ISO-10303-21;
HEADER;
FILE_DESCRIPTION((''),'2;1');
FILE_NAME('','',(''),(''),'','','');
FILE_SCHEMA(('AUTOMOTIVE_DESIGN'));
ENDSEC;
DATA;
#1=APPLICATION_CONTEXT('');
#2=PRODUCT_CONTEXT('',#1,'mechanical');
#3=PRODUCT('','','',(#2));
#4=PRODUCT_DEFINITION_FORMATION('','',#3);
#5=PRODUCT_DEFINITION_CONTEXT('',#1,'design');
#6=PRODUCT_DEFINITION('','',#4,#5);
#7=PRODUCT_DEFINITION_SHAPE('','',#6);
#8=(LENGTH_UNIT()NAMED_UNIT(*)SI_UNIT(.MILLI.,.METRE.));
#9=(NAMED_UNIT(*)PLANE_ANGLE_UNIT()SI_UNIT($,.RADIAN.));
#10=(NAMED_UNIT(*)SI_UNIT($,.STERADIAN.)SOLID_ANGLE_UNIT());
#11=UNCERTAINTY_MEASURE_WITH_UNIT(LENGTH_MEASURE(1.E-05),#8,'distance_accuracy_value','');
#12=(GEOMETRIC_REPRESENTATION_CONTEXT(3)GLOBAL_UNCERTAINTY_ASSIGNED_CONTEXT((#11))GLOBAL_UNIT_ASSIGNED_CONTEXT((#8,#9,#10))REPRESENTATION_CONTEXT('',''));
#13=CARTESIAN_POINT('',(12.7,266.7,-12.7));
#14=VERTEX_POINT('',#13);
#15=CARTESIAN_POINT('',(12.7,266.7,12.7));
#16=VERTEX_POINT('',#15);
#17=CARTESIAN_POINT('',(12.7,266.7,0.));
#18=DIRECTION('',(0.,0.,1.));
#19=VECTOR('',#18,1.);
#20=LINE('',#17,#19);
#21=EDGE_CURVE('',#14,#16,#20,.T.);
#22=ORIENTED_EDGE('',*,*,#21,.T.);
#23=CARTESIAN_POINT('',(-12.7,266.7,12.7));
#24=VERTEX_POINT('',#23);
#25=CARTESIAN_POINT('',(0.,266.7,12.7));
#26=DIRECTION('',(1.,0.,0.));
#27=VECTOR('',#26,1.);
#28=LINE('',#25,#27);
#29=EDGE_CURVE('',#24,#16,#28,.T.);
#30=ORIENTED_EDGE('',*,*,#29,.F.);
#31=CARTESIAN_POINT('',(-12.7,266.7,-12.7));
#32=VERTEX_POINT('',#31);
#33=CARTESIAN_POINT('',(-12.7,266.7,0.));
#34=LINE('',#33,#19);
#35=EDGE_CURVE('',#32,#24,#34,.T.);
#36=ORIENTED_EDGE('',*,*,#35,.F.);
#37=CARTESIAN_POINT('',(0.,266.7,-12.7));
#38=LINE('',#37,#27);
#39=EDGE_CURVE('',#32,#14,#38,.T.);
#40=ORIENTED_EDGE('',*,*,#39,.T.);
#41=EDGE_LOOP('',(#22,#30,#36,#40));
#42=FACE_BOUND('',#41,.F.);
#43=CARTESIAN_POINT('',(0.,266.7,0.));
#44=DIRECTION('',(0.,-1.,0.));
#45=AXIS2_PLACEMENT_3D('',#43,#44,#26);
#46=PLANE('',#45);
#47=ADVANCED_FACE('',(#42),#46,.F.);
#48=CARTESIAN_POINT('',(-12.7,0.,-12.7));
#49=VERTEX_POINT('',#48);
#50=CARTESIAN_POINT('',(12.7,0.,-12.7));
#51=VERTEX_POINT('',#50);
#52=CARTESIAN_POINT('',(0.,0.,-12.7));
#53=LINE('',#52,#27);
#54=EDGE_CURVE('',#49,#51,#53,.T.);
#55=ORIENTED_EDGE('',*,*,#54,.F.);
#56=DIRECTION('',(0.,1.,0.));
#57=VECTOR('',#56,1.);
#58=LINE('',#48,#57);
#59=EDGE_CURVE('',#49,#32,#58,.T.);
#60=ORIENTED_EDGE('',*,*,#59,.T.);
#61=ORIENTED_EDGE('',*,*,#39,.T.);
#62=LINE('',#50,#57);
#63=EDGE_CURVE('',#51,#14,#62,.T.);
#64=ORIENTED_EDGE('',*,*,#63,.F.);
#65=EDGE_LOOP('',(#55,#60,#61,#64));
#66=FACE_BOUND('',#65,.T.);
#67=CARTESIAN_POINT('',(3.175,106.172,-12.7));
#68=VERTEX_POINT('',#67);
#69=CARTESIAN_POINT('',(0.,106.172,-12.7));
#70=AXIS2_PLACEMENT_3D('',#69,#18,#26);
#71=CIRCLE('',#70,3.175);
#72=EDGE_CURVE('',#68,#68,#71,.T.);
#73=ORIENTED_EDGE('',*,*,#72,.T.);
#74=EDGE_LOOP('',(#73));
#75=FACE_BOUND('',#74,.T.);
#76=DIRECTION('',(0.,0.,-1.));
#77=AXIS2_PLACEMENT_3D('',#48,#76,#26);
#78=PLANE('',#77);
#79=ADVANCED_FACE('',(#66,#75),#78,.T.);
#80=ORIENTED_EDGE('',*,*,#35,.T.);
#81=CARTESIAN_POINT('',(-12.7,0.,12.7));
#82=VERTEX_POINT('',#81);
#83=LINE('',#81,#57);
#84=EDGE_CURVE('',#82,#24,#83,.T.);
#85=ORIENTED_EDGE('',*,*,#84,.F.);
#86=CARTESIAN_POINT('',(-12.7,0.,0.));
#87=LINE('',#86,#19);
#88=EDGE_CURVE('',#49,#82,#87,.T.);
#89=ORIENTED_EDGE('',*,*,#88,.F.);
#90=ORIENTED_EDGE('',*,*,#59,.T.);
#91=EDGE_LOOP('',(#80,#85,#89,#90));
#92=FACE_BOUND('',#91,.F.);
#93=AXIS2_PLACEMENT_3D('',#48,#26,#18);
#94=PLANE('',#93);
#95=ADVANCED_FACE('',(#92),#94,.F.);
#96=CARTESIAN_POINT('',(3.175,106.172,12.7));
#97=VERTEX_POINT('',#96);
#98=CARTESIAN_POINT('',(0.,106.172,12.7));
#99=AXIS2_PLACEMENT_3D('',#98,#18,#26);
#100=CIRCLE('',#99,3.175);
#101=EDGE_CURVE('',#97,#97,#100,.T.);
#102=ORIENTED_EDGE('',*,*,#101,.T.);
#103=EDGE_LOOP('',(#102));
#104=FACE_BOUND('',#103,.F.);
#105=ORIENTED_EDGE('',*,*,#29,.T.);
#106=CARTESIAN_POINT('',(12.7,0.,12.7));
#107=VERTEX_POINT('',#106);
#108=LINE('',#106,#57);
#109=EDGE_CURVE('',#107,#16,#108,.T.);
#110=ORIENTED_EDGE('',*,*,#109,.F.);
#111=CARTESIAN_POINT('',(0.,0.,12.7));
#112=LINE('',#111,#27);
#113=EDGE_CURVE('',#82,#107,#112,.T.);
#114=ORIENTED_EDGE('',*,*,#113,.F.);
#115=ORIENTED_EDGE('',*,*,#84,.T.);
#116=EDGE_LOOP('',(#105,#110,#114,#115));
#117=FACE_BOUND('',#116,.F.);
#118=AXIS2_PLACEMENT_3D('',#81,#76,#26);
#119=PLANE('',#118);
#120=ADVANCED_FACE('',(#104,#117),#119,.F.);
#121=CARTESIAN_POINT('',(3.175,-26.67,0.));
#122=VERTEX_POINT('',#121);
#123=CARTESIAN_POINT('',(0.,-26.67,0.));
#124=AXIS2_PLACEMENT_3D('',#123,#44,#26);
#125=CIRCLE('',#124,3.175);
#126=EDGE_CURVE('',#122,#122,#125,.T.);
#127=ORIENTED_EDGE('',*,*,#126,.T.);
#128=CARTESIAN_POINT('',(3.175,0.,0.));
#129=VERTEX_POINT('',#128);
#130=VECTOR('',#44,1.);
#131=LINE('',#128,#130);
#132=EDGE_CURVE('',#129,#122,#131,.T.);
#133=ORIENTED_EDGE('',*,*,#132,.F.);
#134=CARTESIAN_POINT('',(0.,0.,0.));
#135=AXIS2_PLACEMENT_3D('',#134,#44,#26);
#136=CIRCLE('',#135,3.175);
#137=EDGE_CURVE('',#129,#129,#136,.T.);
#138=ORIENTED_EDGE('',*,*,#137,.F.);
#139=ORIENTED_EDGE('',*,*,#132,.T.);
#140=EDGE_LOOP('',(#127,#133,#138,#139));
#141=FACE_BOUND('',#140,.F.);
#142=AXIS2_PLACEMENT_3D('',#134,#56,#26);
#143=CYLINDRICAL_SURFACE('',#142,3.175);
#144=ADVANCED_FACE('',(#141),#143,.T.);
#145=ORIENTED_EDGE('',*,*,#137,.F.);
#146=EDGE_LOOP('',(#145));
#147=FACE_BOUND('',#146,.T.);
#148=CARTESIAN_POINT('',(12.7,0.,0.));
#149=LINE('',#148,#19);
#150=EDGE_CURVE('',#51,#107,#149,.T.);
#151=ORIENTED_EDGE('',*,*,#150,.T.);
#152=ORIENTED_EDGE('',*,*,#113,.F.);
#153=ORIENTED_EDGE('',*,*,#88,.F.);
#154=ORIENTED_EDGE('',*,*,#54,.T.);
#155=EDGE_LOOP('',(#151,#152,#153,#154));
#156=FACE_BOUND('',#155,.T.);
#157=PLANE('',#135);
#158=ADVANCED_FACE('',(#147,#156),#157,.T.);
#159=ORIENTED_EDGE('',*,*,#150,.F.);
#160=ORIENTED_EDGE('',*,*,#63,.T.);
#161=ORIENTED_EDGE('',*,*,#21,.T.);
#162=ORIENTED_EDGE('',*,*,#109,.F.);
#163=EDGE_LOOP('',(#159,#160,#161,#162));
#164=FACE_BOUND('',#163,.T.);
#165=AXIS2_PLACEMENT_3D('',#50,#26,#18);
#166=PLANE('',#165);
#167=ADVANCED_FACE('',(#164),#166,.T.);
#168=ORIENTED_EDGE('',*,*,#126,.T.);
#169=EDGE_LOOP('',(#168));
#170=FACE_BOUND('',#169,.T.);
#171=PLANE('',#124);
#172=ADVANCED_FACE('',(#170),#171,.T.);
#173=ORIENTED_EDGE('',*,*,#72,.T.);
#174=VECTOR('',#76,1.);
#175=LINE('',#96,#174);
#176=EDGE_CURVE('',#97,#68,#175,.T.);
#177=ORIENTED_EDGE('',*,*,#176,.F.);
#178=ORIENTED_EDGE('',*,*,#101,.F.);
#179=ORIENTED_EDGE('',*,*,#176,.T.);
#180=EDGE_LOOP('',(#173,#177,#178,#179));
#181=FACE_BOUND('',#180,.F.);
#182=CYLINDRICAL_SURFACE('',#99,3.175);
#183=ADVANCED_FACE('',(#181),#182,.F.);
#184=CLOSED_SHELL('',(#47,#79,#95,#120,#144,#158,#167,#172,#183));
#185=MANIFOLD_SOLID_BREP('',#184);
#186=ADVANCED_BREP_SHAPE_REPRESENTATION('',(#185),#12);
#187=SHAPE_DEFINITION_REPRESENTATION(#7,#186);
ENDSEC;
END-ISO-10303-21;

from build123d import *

# Parameters (mm, degrees)
F0_W     = 25.4
F0_H     = 25.4
F1_DEPTH = 266.7
F2_R     = 3.175
F3_DEPTH = 26.67
F4_R     = 3.175
F5_DEPTH = 25.4


with BuildPart() as f1:
    # F0 (on Front) → F1 (new body)
    with BuildSketch(Plane.XZ):
        Rectangle(F0_W, F0_H)
    extrude(amount=-F1_DEPTH)

    # F2 (on face) → F3 (join)
    with BuildSketch(Plane.XZ):
        Circle(F2_R)
    extrude(amount=F3_DEPTH)

    # F4 (on face) → F5 (cut, through all)
    with BuildSketch(Plane.XY.offset(12.7)):
        with Locations((0, 106.172)):
            Circle(F4_R)
    extrude(amount=-F5_DEPTH, mode=Mode.SUBTRACT)


solid = f1.part
